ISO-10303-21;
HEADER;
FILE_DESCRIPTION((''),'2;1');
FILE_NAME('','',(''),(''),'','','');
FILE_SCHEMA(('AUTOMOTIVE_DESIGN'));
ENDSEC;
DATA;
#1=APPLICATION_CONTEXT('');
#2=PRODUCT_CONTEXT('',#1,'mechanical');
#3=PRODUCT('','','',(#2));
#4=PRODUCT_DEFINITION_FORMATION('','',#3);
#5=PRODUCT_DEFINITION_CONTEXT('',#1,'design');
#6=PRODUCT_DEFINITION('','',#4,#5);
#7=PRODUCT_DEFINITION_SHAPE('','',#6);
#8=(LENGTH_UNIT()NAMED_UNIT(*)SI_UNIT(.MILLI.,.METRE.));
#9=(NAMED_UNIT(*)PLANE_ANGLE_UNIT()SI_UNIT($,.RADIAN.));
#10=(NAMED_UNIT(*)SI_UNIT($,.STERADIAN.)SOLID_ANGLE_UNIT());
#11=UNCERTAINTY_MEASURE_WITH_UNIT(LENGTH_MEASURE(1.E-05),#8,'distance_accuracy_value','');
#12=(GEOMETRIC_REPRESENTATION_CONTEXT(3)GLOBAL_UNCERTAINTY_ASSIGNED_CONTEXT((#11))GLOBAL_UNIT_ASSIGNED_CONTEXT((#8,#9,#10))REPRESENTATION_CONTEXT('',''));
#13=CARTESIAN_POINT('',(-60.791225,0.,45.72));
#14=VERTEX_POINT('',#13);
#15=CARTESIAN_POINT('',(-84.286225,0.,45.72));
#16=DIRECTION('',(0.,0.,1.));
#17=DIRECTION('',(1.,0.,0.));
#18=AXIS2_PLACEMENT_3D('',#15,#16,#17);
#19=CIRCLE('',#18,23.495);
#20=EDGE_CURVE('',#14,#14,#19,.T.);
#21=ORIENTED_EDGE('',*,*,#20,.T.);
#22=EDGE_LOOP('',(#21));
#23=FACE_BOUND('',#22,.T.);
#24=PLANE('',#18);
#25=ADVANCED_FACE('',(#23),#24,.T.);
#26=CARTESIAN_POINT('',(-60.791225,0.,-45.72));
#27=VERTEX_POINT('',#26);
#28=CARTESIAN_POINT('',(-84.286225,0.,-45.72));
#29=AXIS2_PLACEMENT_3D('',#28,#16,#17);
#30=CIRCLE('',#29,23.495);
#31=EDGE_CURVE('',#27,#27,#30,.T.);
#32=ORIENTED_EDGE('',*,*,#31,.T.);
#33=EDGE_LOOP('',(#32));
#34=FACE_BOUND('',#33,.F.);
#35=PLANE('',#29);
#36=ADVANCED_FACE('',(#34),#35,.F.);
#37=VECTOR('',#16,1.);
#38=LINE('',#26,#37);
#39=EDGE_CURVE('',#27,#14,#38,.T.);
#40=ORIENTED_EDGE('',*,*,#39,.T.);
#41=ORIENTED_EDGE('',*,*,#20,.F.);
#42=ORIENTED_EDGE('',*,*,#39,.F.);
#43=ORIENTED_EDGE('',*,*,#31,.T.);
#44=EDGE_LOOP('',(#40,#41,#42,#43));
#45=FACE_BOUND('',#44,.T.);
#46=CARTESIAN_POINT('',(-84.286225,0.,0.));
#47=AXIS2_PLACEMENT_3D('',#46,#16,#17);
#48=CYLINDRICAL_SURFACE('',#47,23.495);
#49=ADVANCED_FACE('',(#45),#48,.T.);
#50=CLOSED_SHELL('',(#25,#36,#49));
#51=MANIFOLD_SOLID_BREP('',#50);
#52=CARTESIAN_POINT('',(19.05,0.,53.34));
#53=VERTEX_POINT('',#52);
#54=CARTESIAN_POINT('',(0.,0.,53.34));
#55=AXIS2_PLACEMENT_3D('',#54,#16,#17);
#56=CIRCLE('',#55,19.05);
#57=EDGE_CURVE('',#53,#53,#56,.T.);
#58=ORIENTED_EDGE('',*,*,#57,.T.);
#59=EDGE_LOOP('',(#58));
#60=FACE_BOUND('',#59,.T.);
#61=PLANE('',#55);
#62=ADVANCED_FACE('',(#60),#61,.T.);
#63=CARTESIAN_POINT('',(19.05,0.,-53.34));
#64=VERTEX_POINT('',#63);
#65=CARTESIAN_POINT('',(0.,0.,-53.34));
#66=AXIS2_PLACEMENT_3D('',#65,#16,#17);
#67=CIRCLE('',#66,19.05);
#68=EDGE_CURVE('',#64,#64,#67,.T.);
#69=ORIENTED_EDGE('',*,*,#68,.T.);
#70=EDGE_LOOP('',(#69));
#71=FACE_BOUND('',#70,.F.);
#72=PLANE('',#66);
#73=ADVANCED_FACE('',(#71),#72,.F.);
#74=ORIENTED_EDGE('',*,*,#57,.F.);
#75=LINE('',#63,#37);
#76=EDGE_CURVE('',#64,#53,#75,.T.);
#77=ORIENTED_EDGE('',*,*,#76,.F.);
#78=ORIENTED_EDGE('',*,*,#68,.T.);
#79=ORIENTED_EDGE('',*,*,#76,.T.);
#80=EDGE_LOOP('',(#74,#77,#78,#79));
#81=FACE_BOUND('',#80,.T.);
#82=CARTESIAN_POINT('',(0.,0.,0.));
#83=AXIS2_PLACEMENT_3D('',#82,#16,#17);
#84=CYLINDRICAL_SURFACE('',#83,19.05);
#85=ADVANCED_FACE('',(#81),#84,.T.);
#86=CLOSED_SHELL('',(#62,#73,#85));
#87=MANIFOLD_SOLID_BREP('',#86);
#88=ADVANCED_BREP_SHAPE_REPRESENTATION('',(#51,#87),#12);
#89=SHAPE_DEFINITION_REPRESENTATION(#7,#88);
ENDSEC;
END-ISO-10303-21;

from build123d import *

# Parameters (mm, degrees)
F0_R     = 19.05
F1_DEPTH = 53.34
F2_R     = 23.495
F3_DEPTH = 45.72


with BuildPart() as f1:
    # F0 (on Top) → F1 (new body, symmetric)
    with BuildSketch(Plane.XY):
        Circle(F0_R)
    extrude(amount=F1_DEPTH, both=True)


with BuildPart() as f3:
    # F2 (on Top) → F3 (new body, symmetric)
    with BuildSketch(Plane.XY):
        with Locations((-84.286225, 0)):
            Circle(F2_R)
    extrude(amount=F3_DEPTH, both=True)


solid = Compound([f1.part, f3.part])
